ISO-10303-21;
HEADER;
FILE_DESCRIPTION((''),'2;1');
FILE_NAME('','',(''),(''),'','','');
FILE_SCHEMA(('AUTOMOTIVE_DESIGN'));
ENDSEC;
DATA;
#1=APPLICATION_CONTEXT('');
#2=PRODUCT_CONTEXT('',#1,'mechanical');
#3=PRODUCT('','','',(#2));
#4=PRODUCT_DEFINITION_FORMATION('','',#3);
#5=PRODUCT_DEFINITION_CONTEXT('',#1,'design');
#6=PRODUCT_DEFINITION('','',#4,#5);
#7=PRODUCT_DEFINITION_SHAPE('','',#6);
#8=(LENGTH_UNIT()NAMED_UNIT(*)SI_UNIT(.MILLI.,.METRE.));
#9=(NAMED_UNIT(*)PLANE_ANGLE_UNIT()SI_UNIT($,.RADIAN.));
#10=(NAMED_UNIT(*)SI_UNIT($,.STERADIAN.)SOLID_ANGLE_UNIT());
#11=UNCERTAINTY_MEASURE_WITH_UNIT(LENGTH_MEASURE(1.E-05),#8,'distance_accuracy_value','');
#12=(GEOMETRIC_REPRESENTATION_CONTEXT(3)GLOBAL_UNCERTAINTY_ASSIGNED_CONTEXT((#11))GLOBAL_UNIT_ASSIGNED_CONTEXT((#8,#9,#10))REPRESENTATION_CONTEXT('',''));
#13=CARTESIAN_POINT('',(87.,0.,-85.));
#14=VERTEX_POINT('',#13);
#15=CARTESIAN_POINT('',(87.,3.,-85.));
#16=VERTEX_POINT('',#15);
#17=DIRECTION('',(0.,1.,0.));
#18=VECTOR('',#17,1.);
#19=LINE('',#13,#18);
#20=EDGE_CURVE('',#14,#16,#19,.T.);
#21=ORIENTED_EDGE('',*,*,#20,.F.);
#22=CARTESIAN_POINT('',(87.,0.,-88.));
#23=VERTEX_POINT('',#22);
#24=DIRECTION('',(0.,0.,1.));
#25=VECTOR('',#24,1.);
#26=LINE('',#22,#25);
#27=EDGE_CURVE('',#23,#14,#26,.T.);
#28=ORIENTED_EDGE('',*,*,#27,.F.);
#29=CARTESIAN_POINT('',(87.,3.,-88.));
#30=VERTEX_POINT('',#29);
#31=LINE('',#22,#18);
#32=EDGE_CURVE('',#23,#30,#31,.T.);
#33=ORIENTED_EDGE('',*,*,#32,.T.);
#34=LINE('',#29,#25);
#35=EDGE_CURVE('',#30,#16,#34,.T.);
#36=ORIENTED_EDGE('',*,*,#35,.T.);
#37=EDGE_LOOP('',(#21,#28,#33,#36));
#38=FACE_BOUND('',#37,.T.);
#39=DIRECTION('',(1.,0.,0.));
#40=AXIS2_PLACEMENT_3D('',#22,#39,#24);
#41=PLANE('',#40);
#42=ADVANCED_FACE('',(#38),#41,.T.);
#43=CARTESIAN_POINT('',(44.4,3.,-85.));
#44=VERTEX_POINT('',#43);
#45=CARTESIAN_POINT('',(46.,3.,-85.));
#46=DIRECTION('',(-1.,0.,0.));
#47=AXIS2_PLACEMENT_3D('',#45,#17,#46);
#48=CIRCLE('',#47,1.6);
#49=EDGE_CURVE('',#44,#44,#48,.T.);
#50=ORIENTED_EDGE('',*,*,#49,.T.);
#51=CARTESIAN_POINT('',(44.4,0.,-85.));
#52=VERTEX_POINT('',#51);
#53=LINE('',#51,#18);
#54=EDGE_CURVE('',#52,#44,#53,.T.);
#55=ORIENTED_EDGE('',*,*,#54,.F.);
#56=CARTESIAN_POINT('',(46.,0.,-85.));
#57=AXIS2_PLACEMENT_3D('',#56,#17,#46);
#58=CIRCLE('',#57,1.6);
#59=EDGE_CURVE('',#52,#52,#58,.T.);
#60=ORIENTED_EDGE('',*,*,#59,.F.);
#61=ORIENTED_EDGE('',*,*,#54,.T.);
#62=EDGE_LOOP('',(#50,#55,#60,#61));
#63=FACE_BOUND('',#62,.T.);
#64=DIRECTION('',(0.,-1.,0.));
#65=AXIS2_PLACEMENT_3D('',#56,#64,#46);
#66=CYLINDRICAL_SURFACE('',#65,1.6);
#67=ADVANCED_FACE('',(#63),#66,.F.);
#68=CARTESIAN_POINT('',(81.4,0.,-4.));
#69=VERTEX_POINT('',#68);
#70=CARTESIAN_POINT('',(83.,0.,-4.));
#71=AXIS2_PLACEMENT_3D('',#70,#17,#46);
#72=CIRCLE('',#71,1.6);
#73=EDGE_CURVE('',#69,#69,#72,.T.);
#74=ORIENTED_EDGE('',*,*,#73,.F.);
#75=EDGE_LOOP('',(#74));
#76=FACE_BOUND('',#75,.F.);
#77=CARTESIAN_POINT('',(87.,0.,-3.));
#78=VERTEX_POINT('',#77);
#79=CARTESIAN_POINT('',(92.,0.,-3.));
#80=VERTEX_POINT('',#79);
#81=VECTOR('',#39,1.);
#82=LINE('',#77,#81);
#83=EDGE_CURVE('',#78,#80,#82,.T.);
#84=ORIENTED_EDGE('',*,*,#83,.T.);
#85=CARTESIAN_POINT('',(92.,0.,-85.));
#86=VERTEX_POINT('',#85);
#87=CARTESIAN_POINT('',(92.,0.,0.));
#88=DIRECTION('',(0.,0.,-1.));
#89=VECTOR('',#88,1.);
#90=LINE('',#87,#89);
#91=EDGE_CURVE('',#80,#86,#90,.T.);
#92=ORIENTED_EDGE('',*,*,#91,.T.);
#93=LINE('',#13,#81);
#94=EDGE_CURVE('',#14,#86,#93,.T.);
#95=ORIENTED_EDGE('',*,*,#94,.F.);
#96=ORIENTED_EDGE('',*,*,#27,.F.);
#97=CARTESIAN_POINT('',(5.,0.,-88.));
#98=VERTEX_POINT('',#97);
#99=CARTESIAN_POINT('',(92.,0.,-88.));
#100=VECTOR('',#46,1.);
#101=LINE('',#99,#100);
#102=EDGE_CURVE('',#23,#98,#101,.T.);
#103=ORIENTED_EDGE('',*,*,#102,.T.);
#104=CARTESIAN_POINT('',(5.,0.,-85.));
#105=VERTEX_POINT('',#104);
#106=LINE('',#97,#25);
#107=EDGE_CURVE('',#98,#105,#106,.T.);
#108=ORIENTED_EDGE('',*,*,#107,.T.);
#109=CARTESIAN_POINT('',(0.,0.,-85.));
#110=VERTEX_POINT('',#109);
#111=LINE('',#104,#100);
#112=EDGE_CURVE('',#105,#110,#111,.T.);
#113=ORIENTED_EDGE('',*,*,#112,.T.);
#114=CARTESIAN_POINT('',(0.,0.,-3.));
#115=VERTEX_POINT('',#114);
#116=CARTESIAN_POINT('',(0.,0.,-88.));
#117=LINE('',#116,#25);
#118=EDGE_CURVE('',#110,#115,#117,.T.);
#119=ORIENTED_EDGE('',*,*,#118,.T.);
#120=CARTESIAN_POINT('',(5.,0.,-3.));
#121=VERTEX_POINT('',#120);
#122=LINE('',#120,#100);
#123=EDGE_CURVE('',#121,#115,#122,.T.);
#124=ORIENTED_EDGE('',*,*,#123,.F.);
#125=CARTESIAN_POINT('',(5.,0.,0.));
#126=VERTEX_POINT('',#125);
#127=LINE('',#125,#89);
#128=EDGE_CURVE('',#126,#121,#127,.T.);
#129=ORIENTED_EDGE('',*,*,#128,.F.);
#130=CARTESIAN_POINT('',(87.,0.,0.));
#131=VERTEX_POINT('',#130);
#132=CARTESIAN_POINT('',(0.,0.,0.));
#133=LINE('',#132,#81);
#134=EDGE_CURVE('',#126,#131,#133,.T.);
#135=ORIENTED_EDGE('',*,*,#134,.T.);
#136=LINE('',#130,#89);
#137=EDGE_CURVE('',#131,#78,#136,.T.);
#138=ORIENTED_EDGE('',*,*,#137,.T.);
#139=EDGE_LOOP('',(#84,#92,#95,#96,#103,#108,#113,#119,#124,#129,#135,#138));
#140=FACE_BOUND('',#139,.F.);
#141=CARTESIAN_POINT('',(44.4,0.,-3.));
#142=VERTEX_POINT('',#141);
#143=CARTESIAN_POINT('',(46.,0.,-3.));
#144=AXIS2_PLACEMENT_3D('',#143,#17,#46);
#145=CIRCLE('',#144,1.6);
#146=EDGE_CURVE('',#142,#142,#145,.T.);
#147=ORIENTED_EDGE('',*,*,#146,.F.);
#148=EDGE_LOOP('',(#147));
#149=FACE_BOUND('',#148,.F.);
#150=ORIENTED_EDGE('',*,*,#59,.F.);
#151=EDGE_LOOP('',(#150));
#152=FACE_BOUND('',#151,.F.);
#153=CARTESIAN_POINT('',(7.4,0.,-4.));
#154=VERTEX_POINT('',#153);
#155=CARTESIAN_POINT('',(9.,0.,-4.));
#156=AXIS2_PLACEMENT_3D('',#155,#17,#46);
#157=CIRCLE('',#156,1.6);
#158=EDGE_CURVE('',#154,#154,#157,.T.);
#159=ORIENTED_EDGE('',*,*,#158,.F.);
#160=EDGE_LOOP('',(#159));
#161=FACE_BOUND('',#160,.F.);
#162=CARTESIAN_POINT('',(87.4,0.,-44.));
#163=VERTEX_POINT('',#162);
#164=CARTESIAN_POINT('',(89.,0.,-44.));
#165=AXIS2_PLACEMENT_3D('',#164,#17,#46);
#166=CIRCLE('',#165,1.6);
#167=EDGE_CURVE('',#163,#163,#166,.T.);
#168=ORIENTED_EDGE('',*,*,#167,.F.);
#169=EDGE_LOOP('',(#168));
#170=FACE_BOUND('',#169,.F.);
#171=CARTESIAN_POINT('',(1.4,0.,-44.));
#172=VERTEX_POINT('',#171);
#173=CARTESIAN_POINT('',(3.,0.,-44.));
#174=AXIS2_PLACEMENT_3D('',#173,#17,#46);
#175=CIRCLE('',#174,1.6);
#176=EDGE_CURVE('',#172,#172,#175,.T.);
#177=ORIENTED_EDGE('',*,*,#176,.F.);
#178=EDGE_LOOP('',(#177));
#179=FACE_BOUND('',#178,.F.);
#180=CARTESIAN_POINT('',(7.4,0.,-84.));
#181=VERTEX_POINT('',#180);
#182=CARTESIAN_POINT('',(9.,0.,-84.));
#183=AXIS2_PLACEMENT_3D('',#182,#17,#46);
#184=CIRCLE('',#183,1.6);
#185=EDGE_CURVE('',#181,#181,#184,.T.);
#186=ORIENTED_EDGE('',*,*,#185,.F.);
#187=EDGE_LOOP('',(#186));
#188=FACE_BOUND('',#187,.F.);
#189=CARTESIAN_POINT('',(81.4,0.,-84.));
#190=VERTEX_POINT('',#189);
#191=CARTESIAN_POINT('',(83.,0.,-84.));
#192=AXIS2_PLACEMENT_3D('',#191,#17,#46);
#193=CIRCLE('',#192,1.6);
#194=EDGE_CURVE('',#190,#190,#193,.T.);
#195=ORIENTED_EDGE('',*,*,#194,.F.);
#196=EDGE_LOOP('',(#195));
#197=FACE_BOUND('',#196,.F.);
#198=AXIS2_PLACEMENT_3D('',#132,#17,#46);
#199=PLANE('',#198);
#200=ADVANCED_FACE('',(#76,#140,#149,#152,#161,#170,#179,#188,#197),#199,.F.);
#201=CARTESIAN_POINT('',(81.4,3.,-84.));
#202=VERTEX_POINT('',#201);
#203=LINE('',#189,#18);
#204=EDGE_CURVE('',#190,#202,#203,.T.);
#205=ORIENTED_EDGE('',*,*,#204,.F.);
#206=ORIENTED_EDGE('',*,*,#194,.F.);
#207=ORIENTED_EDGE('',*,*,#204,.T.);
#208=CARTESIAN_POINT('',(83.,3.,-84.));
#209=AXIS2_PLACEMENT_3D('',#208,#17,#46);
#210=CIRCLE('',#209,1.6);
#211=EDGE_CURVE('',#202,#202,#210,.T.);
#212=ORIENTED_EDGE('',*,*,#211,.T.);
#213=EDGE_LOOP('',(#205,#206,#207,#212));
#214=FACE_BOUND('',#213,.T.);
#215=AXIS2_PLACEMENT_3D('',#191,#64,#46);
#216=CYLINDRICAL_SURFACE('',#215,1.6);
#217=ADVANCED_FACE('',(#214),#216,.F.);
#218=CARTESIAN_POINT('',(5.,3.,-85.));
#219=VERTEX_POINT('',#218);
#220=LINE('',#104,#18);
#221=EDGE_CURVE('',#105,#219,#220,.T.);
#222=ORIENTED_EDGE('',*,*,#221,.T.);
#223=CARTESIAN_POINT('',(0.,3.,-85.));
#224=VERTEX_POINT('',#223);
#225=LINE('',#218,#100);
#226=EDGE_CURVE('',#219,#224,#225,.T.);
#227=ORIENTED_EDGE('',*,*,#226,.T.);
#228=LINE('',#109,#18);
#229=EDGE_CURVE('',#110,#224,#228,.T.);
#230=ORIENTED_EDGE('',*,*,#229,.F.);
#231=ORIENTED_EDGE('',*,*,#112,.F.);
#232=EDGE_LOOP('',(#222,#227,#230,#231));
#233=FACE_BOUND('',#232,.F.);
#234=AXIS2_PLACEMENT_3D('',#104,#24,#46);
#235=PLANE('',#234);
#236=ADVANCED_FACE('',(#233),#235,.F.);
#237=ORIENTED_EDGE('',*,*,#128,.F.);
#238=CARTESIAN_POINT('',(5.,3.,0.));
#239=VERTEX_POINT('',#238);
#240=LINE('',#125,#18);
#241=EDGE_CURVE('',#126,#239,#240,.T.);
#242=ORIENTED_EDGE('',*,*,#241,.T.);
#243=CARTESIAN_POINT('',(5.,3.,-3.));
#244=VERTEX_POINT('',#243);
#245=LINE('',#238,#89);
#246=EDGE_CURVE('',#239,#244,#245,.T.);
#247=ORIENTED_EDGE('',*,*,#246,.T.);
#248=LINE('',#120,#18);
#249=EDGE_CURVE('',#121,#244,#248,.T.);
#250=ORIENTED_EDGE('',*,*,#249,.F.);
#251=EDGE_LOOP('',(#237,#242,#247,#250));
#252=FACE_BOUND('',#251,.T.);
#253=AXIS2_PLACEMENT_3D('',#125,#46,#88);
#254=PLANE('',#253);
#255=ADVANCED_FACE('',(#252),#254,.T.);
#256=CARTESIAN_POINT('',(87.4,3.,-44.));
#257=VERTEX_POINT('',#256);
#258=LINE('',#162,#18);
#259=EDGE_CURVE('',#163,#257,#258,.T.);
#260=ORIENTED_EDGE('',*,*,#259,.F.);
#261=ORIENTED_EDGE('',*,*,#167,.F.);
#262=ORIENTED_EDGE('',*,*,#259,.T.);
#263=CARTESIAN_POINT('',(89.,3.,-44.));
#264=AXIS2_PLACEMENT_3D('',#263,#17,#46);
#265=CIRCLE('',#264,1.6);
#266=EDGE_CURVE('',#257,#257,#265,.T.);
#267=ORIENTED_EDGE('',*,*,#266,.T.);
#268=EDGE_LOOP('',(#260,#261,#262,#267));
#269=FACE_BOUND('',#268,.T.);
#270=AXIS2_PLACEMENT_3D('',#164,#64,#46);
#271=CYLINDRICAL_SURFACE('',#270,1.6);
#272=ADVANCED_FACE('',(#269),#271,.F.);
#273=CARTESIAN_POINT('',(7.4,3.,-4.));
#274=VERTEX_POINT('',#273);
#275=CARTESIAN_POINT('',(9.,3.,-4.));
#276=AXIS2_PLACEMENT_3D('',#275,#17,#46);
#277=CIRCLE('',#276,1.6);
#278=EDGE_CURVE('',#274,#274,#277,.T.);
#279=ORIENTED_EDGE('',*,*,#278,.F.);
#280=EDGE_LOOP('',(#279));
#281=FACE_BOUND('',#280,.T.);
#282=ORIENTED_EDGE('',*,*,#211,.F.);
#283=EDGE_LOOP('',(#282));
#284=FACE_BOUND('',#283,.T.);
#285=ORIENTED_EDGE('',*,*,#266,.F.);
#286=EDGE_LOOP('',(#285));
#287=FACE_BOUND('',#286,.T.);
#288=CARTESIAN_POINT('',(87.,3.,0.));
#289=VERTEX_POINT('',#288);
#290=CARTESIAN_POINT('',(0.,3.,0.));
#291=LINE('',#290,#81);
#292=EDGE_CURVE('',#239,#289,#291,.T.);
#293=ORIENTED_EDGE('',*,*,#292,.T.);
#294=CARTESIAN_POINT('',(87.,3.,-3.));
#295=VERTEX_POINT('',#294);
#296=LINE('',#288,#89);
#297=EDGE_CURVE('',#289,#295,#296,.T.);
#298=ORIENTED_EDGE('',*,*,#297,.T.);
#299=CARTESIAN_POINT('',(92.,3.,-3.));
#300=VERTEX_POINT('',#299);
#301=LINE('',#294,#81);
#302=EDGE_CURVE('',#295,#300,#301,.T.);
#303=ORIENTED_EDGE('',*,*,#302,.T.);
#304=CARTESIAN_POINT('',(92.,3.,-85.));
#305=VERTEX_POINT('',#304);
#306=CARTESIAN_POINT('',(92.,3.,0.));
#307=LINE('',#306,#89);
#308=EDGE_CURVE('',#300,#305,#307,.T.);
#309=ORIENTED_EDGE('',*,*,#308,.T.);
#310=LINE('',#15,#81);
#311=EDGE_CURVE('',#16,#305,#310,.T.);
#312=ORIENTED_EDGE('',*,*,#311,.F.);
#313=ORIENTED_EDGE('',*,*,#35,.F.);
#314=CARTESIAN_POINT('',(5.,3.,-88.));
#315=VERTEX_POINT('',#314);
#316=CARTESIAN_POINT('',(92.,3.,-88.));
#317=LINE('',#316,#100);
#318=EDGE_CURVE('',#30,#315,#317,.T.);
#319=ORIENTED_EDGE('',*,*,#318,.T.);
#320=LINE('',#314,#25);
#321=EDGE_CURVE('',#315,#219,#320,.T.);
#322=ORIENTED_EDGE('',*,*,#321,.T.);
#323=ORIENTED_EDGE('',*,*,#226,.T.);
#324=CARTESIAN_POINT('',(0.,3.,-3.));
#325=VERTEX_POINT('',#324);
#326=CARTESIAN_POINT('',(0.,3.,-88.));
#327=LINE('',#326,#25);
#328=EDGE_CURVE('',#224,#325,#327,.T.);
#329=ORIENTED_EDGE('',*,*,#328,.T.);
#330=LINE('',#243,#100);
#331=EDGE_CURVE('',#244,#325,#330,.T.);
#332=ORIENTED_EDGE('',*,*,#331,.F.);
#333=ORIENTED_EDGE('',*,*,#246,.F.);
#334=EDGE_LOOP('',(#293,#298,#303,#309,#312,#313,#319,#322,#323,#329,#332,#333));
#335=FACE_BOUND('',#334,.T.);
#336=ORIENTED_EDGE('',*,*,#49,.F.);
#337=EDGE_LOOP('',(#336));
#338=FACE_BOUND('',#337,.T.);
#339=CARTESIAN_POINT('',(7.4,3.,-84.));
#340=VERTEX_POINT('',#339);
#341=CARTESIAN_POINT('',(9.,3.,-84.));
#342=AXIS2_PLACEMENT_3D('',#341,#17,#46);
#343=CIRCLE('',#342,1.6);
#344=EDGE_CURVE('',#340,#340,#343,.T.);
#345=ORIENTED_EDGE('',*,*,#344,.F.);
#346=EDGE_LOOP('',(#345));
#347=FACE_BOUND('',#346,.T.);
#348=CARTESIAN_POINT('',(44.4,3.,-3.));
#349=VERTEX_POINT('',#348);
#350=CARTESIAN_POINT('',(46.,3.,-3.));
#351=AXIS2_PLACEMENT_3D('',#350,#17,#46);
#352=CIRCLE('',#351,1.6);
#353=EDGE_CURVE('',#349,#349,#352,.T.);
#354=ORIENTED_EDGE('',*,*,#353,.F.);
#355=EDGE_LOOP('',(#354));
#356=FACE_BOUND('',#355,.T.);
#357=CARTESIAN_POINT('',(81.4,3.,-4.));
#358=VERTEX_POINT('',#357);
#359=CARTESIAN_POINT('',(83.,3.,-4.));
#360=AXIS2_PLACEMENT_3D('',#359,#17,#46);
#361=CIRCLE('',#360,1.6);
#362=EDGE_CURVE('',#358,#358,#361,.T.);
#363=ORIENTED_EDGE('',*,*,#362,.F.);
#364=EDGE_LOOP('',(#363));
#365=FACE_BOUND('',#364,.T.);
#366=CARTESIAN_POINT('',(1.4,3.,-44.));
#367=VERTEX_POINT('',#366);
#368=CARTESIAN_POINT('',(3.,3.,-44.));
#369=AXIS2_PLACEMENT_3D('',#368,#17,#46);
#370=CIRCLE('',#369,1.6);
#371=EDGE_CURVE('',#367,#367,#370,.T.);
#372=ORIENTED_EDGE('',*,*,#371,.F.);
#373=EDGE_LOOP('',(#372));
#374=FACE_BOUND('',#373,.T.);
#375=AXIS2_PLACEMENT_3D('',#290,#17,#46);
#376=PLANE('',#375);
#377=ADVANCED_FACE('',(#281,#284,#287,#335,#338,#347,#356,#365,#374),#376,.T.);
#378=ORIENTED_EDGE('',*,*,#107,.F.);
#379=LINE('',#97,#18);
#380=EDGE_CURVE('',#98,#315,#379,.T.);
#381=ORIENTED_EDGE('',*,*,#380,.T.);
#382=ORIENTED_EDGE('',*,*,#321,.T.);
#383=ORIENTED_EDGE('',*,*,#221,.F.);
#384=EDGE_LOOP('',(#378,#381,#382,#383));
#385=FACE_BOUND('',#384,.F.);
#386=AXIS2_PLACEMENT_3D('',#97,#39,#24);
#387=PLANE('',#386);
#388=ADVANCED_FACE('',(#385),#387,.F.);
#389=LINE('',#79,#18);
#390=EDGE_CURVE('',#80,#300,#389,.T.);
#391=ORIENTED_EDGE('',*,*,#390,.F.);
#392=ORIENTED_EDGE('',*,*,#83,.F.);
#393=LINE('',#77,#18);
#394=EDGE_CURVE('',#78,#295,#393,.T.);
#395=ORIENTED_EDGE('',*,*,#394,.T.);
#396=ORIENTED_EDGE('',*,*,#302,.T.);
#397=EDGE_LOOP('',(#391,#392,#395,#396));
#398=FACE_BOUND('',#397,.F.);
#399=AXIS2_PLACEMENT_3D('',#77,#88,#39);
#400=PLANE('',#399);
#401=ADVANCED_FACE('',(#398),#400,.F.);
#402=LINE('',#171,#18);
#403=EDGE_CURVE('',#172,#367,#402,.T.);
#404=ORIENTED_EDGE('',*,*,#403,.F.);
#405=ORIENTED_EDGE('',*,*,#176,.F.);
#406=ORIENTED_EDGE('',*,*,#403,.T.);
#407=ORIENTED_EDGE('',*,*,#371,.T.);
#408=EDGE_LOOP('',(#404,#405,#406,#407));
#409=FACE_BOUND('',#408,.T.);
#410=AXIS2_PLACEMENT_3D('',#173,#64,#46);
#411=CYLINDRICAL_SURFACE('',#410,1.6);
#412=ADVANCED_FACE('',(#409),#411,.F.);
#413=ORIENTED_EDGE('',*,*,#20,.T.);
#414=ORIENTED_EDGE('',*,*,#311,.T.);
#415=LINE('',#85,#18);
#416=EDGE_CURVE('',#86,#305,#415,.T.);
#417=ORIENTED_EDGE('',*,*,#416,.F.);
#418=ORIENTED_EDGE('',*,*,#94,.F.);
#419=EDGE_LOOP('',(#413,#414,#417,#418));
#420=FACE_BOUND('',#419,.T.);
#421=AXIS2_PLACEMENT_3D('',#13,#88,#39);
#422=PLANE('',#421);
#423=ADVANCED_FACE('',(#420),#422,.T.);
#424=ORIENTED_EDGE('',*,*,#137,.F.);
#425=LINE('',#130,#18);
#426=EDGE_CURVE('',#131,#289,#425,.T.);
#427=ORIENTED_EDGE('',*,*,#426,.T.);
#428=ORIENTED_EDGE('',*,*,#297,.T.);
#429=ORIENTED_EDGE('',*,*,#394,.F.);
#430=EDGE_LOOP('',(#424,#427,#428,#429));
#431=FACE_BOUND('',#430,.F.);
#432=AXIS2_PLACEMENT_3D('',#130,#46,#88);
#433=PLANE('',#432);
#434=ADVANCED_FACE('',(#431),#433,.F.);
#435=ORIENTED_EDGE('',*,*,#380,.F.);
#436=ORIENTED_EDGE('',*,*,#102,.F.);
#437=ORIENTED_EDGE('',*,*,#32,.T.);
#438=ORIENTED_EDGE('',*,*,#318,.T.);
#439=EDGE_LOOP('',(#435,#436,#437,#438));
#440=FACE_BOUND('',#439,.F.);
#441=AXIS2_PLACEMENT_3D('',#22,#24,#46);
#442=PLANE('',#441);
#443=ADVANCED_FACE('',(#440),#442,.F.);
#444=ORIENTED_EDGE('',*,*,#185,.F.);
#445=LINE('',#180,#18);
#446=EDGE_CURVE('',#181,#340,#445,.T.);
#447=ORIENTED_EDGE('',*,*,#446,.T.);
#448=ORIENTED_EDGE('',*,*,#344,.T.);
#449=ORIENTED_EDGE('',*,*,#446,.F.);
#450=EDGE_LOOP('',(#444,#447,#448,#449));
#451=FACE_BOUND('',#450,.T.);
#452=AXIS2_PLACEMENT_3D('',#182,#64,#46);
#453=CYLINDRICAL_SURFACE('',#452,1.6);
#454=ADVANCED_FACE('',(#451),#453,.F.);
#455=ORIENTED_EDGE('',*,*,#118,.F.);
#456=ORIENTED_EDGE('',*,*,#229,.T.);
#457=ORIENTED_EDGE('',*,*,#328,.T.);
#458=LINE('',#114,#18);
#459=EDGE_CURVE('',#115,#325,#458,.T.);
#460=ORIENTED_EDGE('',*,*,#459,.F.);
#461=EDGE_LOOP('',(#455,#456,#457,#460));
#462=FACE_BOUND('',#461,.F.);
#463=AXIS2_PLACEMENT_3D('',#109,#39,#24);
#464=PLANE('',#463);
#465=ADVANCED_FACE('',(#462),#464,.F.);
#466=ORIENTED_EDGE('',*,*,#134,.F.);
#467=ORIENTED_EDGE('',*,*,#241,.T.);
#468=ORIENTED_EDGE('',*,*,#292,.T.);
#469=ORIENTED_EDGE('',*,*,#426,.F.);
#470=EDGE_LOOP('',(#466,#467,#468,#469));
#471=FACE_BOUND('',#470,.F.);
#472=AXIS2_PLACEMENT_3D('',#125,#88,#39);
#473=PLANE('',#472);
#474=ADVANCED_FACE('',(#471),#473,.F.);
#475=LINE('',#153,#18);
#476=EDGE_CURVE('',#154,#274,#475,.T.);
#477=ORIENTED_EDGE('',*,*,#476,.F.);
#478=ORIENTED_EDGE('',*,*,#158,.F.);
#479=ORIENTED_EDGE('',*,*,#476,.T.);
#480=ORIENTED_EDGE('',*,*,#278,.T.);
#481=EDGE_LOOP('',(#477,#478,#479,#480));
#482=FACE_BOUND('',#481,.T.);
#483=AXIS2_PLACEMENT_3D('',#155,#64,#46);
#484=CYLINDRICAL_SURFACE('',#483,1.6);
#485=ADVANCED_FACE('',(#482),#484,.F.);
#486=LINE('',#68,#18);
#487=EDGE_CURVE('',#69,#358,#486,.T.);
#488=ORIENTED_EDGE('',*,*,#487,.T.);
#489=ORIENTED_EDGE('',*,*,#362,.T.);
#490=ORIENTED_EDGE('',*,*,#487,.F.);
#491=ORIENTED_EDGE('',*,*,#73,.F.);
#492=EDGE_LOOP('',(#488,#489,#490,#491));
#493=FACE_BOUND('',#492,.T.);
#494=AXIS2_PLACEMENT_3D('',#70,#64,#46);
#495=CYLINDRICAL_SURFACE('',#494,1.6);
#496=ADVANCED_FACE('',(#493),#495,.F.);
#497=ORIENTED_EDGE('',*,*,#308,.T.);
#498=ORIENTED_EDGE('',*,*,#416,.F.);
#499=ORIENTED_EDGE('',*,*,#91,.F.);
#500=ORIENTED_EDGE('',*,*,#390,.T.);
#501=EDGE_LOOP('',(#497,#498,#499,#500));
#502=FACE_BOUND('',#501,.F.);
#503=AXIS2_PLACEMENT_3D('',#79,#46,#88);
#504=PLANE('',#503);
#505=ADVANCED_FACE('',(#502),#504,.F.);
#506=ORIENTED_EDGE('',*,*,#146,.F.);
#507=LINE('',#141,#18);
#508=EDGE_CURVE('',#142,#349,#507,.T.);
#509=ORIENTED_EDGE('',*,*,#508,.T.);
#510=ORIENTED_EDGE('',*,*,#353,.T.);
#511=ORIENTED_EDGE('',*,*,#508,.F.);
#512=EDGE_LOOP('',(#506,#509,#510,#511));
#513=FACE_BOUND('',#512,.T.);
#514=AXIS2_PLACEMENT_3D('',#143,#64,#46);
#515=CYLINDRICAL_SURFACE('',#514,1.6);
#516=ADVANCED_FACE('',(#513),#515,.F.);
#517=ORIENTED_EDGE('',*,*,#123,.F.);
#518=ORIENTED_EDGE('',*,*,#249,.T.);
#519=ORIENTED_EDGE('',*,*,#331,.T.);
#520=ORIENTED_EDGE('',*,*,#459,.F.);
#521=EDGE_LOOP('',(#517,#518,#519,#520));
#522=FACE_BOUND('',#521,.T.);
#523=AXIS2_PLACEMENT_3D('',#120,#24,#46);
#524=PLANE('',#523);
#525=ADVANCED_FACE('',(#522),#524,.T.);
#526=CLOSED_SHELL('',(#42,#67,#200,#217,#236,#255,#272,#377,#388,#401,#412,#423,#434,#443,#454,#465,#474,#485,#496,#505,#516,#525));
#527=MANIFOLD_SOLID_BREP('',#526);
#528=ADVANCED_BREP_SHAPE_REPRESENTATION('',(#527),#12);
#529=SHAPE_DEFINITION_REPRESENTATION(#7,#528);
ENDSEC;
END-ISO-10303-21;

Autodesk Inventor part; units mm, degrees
ref_plane "YZ Plane" through (0, 0, 0) normal (1, 0, 0) x (0, 1, 0)
ref_plane "XZ Plane" through (0, 0, 0) normal (0, 1, 0) x (-1, 0, 0)
ref_plane "XY Plane" through (0, 0, 0) normal (0, 0, 1) x (1, 0, 0)
sketch "Sketch1" plane through (0, 0, 0) normal (0, 1, 0) x (-1, 0, 0)
  line L0 (0, 0) -> (-92, 0)
  line L1 (-92, 0) -> (-92, -88)
  line L2 (-92, -88) -> (0, -88)
  line L3 (0, -88) -> (0, 0)
  line L4 (0, -88) -> (-5, -88)
  line L5 (-5, -88) -> (-5, -85)
  line L6 (-5, -85) -> (0, -85)
  line L7 (0, -85) -> (0, -88)
  line L8 (0, 0) -> (-5, 0)
  line L9 (-5, 0) -> (-5, -3)
  line L10 (-5, -3) -> (0, -3)
  line L11 (0, -3) -> (0, 0)
  line L12 (-92, 0) -> (-87, 0)
  line L13 (-87, 0) -> (-87, -3)
  line L14 (-87, -3) -> (-92, -3)
  line L15 (-92, -3) -> (-92, 0)
  line L16 (-92, -88) -> (-87, -88)
  line L17 (-87, -88) -> (-87, -85)
  line L18 (-87, -85) -> (-92, -85)
  line L19 (-92, -85) -> (-92, -88)
  circle A0 centre (-9, -84) radius 1.6
  circle A1 centre (-83, -84) radius 1.6
  circle A2 centre (-9, -4) radius 1.6
  circle A3 centre (-83, -4) radius 1.6
  circle A4 centre (-46, -85) radius 1.6
  circle A5 centre (-3, -44) radius 1.6
  circle A6 centre (-89, -44) radius 1.6
  circle A7 centre (-46, -3) radius 1.6
  point P0 (0, -85)
  point P1 (0, -3)
  dimension "d6" = 82
  dimension "d8" = 88
  dimension "d10" = 92
  dimension "d11" = 5
  dimension "d12" = 3.2
  dimension "d13" = 74
  dimension "d14" = 80
  dimension "d15" = 9
  dimension "d16" = 4
  dimension "d17" = 3.2
  dimension "d18" = 46
  dimension "d19" = 44
  dimension "d20" = 3
  dimension "d21" = 3
  dimension "d22" = 3
  dimension "d23" = 3
extrude "Extrusion1" add sketch "Sketch1" along normal blind 3 contours L9 L10 L3 L6 L5 L2 L17 L18 L1 L14 L13 L0
equation "\"d15\" = -0.5 * d13 + 0.5 * d10"
equation "\"d16\" = -0.5 * d14 + 0.5 * d8"
equation "\"d18\" = 0.5 * d10"
equation "\"d19\" = 0.5 * d8"
equation "\"d21\" = d20"
equation "\"d23\" = d22"
properties part number "DummyUpperBoard"
